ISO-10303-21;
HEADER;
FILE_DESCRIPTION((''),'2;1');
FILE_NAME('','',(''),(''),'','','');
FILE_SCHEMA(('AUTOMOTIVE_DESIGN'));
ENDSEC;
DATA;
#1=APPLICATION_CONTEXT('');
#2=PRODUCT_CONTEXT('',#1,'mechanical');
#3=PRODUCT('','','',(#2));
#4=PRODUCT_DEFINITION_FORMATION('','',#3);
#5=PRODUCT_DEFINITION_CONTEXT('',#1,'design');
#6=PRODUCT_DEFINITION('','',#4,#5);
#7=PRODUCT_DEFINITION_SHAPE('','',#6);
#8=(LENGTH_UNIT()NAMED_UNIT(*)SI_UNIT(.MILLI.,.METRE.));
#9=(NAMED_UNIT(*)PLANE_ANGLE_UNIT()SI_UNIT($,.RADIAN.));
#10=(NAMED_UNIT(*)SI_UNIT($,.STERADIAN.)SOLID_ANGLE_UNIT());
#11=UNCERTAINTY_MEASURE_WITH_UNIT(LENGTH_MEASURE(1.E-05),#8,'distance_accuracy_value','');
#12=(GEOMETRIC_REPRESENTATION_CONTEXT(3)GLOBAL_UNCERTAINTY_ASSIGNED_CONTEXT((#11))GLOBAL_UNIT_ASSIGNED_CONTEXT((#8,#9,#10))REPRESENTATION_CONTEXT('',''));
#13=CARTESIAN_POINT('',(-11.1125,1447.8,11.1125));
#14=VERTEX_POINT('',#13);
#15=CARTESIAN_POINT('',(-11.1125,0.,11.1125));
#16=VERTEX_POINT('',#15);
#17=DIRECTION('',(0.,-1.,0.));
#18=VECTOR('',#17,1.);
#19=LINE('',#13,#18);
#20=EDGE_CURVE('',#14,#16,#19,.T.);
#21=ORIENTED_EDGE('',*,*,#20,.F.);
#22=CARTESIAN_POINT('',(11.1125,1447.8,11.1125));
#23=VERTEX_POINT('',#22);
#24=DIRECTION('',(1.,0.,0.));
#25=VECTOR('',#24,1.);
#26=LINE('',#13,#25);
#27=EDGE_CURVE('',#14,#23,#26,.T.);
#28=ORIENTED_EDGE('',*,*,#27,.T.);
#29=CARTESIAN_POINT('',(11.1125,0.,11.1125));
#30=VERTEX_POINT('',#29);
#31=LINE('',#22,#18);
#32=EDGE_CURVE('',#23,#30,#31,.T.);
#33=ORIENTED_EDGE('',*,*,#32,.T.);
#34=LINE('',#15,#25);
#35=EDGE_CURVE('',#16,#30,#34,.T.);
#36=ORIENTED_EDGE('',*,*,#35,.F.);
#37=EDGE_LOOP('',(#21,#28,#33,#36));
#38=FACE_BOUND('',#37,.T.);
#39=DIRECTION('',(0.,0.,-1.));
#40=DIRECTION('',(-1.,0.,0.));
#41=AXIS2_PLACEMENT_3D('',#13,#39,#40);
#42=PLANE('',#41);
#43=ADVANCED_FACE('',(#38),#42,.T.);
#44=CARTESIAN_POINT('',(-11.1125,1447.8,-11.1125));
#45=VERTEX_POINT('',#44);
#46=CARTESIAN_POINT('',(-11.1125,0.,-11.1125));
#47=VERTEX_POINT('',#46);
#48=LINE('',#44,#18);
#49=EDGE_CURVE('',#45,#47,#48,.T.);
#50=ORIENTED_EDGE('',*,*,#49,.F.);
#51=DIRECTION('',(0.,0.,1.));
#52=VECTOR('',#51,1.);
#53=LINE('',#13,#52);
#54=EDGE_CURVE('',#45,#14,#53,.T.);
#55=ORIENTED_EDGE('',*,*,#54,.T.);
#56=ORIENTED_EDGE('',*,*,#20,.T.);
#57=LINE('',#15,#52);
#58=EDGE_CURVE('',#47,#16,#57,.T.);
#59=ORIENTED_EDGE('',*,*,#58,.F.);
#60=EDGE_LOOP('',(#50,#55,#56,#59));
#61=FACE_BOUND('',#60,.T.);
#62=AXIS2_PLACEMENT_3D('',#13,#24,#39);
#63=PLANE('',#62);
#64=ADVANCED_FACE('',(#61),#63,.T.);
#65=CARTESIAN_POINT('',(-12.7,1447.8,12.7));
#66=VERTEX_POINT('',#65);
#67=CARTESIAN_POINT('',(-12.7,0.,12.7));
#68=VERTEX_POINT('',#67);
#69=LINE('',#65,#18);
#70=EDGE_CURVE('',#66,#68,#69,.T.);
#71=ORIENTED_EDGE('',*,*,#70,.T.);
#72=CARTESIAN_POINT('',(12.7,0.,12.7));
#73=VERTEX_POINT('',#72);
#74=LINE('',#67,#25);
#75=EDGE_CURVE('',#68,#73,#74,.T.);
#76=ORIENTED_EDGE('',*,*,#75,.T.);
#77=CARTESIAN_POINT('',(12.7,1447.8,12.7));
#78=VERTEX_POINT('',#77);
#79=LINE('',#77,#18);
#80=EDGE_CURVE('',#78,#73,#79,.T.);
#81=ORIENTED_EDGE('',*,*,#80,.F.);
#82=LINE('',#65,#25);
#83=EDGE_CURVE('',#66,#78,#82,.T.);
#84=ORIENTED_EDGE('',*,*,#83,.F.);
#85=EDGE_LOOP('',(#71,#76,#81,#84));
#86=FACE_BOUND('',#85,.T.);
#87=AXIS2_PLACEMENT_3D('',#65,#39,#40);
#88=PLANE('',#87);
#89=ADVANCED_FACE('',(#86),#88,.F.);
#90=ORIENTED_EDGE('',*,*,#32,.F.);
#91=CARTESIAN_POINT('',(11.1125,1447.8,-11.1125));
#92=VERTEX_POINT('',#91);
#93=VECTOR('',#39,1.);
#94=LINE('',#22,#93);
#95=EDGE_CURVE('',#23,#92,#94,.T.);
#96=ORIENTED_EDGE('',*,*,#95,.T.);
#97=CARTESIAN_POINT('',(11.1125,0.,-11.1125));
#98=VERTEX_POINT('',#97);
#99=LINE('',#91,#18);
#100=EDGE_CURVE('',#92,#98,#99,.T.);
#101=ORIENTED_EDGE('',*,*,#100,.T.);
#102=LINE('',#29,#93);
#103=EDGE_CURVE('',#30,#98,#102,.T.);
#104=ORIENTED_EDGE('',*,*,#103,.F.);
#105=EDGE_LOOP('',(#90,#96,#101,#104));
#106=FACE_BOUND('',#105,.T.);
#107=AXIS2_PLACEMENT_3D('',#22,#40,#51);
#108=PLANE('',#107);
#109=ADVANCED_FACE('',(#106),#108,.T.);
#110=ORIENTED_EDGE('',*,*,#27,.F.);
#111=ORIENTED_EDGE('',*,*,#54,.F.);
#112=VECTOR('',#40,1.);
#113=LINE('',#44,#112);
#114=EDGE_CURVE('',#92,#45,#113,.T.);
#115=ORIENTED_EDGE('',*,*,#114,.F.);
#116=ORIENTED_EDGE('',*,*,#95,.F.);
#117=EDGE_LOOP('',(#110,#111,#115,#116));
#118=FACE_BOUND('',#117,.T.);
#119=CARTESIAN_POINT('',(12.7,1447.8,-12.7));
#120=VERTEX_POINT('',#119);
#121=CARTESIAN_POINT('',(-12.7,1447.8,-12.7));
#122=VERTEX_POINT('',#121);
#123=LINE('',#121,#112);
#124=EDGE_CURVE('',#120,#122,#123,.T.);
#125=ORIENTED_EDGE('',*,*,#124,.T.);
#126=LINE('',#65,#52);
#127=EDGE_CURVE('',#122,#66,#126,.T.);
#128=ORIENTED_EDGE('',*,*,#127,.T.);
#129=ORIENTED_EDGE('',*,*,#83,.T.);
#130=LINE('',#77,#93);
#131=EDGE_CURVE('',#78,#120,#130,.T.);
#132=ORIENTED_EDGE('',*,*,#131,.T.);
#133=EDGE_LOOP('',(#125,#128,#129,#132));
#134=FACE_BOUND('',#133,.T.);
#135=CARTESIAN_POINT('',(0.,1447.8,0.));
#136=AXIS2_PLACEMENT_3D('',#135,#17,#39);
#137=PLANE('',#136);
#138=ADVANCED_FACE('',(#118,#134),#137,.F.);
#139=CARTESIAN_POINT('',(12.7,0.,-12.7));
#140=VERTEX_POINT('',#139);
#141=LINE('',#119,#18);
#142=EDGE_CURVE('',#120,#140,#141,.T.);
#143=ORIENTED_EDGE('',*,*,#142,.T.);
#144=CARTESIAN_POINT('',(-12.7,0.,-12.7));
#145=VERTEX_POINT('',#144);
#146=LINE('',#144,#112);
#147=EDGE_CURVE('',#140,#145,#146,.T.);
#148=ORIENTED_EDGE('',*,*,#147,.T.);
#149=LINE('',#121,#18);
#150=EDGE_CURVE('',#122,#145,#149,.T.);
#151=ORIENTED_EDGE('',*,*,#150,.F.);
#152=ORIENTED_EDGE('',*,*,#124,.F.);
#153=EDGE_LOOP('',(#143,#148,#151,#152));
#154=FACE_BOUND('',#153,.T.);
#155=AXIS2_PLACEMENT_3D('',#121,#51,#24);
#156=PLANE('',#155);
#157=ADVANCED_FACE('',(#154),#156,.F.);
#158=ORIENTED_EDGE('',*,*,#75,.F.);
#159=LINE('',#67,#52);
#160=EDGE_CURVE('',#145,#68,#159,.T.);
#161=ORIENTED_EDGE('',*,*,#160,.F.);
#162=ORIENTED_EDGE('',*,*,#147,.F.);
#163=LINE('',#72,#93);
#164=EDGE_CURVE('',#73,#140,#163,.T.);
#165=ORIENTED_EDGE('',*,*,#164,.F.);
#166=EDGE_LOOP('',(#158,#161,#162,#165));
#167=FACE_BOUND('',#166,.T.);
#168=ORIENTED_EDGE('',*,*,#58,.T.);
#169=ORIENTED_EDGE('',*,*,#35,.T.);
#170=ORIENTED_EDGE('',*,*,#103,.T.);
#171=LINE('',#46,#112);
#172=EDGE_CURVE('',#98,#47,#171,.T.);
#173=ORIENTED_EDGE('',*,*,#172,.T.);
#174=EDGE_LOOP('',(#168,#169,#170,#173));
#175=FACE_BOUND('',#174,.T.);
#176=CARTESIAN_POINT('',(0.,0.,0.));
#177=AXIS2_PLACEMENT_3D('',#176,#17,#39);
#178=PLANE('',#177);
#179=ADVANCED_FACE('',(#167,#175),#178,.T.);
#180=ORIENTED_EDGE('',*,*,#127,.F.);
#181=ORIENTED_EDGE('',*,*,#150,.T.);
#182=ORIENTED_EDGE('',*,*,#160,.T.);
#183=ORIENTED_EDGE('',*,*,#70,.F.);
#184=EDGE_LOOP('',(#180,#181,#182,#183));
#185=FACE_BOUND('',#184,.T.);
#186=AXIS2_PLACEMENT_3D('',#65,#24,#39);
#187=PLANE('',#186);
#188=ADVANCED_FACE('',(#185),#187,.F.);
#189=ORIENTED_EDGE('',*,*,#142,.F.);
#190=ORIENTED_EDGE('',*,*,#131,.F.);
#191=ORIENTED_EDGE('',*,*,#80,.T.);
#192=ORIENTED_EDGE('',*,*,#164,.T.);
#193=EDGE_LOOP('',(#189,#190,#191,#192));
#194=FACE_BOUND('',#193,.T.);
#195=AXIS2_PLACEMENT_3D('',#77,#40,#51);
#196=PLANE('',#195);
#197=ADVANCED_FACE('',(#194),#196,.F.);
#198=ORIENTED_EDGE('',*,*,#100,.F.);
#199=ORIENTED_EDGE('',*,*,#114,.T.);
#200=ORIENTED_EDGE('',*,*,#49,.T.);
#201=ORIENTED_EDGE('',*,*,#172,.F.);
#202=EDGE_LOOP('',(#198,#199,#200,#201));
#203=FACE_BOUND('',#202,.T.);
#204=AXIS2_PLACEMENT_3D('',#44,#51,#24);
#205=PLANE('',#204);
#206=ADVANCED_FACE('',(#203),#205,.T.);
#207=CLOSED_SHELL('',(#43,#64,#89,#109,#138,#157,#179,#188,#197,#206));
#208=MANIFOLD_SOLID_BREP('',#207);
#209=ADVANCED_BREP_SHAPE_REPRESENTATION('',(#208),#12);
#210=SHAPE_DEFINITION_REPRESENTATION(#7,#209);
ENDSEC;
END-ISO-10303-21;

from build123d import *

# Parameters (mm, degrees)
SKETCH1_W           = 25.4
SKETCH1_H           = 25.4
SKETCH1_W_2         = 22.225
SKETCH1_H_2         = 22.225
BOSS_EXTRUDE1_DEPTH = 1447.8


with BuildPart() as part:
    # Sketch1 → Boss-Extrude1 (new body)
    with BuildSketch(Plane(origin=(0, 0, 0), x_dir=(1, 0, 0), z_dir=(0, 1, 0))):
        Rectangle(SKETCH1_W, SKETCH1_H)
        Rectangle(SKETCH1_W_2, SKETCH1_H_2, mode=Mode.SUBTRACT)
    extrude(amount=BOSS_EXTRUDE1_DEPTH)


solid = part.part
